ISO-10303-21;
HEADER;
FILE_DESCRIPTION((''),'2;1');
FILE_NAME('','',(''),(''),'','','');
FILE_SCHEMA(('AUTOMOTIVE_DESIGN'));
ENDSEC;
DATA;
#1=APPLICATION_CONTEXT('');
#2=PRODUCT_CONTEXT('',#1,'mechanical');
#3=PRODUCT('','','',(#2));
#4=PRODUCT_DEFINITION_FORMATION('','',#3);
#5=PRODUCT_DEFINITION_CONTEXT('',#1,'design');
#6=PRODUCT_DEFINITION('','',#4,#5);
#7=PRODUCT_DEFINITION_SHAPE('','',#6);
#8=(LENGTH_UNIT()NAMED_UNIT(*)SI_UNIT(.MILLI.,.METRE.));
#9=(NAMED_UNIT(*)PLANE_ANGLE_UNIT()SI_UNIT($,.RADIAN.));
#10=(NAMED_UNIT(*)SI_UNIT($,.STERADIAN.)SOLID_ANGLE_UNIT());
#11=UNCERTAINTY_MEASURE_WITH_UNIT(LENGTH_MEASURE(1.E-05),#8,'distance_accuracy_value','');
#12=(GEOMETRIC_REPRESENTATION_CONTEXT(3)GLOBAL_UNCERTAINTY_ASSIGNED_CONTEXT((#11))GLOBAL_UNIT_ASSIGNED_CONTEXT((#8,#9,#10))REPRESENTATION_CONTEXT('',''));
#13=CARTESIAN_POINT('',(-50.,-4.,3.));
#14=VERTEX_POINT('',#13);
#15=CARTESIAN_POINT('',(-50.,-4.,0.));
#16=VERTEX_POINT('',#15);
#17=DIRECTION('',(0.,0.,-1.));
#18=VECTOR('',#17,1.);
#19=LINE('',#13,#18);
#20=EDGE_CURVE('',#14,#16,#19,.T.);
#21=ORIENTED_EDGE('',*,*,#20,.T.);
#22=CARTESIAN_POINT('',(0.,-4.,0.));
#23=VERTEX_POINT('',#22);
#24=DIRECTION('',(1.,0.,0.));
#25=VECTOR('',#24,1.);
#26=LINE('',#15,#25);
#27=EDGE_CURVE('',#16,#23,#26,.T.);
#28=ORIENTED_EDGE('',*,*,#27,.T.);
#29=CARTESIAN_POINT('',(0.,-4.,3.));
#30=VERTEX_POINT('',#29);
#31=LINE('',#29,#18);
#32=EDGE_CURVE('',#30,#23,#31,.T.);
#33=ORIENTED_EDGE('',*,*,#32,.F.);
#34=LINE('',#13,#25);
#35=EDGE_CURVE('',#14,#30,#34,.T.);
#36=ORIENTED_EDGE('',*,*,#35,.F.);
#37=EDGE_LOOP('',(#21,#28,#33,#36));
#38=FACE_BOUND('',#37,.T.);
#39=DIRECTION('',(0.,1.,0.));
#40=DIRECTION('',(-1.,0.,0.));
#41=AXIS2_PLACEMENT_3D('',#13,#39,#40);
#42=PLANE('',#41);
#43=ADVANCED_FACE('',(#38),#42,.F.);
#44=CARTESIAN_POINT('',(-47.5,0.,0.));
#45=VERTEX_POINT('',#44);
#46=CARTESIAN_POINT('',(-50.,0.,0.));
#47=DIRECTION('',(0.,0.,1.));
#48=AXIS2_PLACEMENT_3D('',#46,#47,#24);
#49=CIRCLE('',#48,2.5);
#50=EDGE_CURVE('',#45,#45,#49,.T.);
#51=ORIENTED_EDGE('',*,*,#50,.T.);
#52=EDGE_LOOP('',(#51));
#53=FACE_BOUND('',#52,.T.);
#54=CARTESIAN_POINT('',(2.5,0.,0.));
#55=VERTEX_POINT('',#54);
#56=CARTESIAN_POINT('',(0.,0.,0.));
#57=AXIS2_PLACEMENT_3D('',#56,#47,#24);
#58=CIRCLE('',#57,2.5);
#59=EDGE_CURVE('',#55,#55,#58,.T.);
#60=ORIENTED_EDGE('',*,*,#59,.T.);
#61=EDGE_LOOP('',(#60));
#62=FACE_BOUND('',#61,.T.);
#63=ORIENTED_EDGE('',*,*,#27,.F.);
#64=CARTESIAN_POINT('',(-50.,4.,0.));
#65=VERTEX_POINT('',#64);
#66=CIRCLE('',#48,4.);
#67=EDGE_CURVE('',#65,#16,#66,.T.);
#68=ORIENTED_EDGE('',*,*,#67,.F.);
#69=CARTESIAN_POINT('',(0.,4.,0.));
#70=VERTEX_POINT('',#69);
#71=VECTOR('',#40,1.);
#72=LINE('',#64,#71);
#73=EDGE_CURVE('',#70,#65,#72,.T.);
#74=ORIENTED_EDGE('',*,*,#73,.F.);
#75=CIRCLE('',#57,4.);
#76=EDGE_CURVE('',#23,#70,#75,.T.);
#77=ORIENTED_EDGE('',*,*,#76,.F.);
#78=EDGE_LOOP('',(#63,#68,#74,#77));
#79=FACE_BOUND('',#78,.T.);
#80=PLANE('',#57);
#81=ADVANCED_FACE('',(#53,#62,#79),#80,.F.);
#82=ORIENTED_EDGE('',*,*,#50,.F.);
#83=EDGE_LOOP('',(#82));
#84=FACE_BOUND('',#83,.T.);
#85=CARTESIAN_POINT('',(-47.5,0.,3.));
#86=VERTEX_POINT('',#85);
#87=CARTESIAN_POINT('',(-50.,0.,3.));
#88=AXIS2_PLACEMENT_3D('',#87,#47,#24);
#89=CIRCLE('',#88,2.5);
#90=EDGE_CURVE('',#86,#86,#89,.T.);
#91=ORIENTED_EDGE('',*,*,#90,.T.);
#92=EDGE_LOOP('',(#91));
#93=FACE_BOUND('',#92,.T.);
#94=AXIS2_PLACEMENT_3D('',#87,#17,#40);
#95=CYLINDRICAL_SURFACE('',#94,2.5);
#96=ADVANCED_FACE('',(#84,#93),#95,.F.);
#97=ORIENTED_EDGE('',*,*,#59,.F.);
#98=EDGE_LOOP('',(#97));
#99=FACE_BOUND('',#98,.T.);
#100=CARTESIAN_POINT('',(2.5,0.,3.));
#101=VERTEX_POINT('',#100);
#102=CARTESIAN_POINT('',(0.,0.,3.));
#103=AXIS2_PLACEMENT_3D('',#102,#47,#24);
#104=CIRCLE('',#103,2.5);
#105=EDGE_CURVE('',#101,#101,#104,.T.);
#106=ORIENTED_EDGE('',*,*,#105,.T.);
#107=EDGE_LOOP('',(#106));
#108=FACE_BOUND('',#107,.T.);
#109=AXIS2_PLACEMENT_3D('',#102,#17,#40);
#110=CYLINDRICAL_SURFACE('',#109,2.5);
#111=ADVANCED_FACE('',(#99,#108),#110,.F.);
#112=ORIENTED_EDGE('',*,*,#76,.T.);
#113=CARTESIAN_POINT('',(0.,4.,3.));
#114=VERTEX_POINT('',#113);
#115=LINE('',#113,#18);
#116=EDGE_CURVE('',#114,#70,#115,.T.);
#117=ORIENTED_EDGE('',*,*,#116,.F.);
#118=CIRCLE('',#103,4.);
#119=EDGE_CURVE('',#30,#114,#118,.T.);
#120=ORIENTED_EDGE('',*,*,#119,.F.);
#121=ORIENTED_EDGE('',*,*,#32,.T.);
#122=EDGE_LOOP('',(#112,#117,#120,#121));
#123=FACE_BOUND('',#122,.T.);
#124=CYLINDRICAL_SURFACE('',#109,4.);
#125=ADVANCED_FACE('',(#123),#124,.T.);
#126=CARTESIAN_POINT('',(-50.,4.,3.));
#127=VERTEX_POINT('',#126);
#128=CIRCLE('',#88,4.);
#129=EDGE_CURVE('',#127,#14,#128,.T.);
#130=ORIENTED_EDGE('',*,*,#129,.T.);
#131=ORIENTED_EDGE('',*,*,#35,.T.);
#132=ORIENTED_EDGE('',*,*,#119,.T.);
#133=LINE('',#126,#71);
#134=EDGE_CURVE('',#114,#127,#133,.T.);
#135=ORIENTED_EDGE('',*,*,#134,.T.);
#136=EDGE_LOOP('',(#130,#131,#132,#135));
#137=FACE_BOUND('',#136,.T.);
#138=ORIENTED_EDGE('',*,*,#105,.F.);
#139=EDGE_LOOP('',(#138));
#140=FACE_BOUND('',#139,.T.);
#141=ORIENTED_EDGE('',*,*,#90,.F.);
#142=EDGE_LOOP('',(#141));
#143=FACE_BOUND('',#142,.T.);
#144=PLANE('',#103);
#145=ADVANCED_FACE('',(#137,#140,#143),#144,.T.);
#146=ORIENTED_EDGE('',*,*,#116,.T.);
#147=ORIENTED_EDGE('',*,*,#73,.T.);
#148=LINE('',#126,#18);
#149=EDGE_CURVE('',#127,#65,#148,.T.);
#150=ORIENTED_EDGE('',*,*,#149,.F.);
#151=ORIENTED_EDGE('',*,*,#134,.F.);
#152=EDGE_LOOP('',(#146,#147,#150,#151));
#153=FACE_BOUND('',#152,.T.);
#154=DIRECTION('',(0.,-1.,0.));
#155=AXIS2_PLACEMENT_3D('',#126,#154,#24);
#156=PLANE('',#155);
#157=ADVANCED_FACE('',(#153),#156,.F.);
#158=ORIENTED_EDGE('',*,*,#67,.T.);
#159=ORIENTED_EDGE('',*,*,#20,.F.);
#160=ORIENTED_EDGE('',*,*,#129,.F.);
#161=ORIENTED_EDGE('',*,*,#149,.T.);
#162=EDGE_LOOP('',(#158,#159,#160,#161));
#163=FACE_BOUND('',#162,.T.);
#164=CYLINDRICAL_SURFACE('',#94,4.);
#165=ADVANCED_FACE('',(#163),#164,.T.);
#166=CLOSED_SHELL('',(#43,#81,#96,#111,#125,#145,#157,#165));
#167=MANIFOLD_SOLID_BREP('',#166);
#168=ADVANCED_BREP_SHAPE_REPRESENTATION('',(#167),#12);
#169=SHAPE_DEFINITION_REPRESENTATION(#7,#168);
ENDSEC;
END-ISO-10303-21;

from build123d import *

# Parameters (mm, degrees)
SKETCH2_R           = 2.5
BOSS_EXTRUDE1_DEPTH = 3


with BuildPart() as part:
    # Sketch2 → Boss-Extrude1 (new body)
    with BuildSketch(Plane.XY):
        with BuildLine():
            Line((-50, 4), (0, 4))
            ThreePointArc((0, 4), (4, 0), (0, -4))
            Line((0, -4), (-50, -4))
            ThreePointArc((-50, -4), (-54, 0), (-50, 4))
        make_face()
        with Locations((-50, 0)):
            Circle(SKETCH2_R, mode=Mode.SUBTRACT)
        Circle(SKETCH2_R, mode=Mode.SUBTRACT)
    extrude(amount=BOSS_EXTRUDE1_DEPTH)


solid = part.part
